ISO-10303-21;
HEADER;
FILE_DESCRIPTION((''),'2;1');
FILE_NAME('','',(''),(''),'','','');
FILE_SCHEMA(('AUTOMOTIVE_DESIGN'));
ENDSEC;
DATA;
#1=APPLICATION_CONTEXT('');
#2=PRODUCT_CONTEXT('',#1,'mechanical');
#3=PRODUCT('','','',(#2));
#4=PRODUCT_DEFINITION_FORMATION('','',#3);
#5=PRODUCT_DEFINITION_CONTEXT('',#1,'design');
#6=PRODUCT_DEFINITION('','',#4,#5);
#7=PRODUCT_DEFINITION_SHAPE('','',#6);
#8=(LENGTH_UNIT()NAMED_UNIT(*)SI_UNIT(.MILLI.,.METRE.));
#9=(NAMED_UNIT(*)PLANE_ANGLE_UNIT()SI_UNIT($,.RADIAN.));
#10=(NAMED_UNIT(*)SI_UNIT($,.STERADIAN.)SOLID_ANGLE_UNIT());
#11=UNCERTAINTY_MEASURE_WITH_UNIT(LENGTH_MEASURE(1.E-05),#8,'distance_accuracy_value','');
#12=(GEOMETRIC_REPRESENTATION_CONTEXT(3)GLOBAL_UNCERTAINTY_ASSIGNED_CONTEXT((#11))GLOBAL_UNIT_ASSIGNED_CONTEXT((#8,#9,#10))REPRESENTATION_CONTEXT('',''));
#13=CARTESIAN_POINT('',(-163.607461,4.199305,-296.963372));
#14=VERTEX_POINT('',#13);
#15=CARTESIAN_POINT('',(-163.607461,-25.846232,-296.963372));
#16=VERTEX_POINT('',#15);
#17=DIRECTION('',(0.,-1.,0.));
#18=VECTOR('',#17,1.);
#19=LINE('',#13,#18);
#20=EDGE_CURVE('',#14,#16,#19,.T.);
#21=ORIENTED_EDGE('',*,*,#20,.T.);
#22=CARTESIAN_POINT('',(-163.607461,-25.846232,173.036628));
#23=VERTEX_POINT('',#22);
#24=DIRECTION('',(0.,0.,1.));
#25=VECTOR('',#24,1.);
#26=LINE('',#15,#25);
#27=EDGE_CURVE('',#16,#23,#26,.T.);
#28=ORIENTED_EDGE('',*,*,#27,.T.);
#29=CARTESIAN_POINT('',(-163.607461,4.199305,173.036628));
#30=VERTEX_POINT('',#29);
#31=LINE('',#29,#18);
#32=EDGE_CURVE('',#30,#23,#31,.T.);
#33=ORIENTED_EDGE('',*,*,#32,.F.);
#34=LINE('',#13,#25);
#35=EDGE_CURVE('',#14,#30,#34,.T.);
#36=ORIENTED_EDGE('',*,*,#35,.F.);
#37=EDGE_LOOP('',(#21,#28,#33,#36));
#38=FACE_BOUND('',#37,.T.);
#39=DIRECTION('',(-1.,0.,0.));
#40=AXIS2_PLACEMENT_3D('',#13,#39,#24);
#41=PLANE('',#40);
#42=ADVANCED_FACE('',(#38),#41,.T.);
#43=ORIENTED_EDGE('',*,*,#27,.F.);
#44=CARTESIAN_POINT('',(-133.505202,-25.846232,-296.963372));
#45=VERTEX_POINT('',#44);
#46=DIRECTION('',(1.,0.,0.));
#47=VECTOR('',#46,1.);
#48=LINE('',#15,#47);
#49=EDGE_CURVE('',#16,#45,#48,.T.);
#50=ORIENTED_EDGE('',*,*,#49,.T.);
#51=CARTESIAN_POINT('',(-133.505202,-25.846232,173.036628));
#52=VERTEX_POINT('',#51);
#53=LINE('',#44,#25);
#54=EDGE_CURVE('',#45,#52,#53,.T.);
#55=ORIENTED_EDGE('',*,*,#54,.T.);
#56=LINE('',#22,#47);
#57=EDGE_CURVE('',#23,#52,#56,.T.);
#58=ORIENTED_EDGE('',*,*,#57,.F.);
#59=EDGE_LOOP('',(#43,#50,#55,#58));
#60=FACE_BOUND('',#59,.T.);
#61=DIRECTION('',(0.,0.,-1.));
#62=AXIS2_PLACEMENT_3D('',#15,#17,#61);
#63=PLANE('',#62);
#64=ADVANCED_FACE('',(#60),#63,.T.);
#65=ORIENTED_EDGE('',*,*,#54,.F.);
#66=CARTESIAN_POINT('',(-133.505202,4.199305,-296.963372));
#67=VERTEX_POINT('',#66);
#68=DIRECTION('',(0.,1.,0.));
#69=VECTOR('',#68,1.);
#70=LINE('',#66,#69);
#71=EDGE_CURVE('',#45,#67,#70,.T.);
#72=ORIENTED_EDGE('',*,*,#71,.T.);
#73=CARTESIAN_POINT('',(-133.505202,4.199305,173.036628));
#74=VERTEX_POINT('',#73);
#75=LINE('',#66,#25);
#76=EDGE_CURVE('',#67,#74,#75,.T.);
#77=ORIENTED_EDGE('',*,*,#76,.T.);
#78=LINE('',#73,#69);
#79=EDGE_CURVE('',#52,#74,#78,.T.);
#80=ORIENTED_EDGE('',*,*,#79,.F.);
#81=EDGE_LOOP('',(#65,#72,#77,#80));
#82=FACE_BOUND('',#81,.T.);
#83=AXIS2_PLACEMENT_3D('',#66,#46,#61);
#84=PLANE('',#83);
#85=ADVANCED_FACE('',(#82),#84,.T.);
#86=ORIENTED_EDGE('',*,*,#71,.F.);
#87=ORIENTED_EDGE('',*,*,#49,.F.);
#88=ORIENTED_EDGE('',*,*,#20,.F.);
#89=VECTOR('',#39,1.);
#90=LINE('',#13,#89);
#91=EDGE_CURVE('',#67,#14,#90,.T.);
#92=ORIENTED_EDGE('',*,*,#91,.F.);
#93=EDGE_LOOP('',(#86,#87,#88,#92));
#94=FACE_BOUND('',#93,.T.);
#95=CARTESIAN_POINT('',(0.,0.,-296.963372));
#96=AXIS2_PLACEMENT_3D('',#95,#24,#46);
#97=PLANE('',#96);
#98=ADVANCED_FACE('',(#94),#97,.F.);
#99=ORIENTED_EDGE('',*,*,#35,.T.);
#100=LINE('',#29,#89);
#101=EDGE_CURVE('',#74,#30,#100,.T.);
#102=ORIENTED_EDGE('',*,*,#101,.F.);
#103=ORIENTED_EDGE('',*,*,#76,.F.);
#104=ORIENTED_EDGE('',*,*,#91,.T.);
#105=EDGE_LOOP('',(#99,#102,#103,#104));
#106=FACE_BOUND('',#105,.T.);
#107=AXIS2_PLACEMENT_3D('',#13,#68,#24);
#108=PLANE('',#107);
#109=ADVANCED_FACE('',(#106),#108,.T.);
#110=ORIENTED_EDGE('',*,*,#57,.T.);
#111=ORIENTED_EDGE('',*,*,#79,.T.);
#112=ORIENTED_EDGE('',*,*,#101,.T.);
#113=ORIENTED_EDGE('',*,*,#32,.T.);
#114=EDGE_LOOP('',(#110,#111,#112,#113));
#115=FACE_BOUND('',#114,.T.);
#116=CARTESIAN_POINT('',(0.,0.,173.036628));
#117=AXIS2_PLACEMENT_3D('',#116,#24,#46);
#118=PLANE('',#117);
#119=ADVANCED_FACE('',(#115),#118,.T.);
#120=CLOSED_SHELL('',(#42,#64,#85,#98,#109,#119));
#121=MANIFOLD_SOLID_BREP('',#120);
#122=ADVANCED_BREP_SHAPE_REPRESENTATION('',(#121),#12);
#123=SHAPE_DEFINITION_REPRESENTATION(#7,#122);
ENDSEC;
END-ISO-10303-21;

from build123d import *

# Parameters (mm, degrees)
SKETCH1_W           = 30.102258895
SKETCH1_H           = 30.045537442
BOSS_EXTRUDE1_DEPTH = 470


with BuildPart() as part:
    # Sketch1 → Boss-Extrude1 (new body)
    with BuildSketch(Plane.XY.offset(173.036627587)):
        with Locations((-148.556331447, -10.823463775)):
            Rectangle(SKETCH1_W, SKETCH1_H)
    extrude(amount=-BOSS_EXTRUDE1_DEPTH)


solid = part.part
